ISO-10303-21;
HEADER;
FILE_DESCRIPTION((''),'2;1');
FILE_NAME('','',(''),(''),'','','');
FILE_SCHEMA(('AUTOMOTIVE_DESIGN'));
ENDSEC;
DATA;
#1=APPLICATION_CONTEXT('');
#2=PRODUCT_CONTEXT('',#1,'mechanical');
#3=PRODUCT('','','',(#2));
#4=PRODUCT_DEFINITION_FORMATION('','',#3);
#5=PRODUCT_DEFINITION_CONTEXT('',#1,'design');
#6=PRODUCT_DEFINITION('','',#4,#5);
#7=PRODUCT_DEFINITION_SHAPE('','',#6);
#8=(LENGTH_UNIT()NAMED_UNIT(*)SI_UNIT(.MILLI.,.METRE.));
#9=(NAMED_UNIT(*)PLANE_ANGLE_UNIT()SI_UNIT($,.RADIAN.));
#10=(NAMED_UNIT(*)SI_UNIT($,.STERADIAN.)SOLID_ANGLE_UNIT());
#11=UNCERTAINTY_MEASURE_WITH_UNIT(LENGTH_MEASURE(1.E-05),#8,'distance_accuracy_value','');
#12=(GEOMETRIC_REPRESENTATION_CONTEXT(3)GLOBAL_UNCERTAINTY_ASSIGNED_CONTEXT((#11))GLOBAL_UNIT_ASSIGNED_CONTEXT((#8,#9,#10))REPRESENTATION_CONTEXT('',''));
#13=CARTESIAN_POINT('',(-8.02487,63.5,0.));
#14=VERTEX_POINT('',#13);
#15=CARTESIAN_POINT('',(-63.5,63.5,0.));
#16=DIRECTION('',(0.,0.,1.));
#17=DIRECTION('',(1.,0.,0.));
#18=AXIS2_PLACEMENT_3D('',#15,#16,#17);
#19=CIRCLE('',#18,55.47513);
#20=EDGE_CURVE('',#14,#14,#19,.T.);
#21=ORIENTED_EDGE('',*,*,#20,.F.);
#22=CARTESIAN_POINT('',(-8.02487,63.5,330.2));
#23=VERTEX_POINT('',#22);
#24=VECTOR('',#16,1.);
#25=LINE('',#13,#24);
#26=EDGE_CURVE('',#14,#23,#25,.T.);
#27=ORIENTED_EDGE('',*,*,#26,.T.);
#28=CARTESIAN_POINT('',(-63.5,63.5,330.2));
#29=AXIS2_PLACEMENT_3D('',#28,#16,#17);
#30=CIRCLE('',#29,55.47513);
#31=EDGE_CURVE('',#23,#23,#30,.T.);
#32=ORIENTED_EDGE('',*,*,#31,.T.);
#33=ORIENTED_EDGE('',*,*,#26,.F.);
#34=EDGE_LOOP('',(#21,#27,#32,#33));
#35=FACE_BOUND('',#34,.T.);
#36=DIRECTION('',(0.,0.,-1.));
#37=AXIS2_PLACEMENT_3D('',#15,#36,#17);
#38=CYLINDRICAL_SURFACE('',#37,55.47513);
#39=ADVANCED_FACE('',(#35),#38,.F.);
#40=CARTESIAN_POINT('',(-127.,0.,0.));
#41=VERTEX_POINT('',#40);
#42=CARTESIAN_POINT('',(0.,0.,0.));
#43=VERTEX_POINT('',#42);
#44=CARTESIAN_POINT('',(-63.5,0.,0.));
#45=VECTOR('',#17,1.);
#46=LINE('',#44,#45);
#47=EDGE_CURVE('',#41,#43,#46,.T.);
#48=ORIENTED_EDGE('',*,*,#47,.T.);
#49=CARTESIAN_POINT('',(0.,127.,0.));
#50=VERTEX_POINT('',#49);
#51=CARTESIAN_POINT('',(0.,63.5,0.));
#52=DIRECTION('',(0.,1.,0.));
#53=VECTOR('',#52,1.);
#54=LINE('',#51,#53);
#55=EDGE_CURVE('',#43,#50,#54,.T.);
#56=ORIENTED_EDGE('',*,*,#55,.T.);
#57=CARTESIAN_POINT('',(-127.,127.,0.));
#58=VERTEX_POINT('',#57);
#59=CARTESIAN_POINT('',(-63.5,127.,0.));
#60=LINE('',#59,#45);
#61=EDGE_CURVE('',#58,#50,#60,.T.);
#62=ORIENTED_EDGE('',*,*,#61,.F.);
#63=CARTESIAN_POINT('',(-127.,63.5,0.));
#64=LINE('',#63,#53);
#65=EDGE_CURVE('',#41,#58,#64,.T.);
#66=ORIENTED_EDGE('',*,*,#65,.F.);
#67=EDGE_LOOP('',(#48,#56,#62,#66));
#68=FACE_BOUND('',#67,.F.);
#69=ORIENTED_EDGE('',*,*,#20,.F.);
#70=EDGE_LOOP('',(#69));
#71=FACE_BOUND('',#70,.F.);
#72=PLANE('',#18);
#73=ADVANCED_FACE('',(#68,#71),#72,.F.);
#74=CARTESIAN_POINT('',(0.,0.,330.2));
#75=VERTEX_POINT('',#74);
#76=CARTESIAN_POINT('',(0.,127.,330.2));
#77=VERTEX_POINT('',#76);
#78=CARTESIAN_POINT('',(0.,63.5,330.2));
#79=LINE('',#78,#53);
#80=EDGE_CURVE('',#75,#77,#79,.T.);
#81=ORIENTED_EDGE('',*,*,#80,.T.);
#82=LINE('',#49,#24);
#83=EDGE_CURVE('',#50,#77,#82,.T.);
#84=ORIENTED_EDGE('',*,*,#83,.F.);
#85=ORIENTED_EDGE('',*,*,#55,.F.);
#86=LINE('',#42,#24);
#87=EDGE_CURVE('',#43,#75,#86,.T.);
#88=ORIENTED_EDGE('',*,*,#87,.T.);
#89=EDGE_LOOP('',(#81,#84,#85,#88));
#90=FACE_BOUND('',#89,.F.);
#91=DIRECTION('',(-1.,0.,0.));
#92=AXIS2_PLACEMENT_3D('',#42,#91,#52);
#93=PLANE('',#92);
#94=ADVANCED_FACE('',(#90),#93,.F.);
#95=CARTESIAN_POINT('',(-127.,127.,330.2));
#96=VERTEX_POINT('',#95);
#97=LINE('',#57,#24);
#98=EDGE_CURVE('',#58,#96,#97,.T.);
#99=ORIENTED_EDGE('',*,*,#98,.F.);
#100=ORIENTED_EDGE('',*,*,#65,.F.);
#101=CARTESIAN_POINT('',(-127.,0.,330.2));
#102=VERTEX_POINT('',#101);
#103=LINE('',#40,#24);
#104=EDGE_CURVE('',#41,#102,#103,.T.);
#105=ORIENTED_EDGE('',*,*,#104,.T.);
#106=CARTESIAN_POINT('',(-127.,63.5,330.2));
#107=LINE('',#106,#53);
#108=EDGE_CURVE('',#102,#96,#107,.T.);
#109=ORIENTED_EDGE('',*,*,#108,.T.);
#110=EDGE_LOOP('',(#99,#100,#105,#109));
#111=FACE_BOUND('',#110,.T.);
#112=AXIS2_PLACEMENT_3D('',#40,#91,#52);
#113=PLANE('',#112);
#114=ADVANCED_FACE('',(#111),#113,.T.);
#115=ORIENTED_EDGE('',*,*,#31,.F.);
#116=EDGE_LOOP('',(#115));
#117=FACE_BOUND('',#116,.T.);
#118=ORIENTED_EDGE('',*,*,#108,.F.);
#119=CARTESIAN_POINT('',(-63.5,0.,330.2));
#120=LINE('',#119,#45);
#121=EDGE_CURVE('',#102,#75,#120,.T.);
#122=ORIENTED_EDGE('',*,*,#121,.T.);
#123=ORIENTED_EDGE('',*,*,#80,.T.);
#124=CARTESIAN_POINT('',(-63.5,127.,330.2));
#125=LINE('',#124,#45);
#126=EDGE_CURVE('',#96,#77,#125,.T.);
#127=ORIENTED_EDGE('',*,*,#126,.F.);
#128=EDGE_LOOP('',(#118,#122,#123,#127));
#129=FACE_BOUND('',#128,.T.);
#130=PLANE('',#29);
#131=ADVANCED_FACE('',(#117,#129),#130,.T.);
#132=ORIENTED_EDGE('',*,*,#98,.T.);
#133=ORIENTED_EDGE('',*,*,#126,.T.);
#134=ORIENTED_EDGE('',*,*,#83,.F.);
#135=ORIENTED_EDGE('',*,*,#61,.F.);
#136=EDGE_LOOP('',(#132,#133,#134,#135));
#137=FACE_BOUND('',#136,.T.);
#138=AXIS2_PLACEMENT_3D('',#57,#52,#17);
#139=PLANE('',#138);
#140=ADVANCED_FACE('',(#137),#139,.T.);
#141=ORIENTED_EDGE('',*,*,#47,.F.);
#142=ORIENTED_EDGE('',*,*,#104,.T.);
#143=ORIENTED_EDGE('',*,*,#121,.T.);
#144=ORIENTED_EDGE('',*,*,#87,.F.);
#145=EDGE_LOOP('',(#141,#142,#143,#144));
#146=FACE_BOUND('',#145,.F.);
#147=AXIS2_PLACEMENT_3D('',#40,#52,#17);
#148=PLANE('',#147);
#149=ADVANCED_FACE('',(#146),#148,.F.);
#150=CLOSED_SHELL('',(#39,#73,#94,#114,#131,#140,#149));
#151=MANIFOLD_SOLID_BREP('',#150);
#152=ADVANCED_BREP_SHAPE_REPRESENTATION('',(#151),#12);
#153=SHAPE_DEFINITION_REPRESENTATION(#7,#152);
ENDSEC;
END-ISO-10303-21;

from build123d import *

# Parameters (mm, degrees)
F0_W     = 127
F0_H     = 127
F0_R     = 55.47513
F1_DEPTH = 330.2
F2_DEPTH = 330.201


with BuildPart() as f1:
    # F0 (on Top) → F1 (new body)
    with BuildSketch(Plane.XY):
        with Locations((-63.5, 63.5)):
            Rectangle(F0_W, F0_H)
        with Locations((-63.5, 63.5)):
            Circle(F0_R, mode=Mode.SUBTRACT)
    extrude(amount=F1_DEPTH)

    # F0 (on Top) → F2 (cut, through all)
    with BuildSketch(Plane.XY):
        with Locations((-63.5, 63.5)):
            Circle(F0_R)
    extrude(amount=F2_DEPTH, mode=Mode.SUBTRACT)


solid = f1.part
